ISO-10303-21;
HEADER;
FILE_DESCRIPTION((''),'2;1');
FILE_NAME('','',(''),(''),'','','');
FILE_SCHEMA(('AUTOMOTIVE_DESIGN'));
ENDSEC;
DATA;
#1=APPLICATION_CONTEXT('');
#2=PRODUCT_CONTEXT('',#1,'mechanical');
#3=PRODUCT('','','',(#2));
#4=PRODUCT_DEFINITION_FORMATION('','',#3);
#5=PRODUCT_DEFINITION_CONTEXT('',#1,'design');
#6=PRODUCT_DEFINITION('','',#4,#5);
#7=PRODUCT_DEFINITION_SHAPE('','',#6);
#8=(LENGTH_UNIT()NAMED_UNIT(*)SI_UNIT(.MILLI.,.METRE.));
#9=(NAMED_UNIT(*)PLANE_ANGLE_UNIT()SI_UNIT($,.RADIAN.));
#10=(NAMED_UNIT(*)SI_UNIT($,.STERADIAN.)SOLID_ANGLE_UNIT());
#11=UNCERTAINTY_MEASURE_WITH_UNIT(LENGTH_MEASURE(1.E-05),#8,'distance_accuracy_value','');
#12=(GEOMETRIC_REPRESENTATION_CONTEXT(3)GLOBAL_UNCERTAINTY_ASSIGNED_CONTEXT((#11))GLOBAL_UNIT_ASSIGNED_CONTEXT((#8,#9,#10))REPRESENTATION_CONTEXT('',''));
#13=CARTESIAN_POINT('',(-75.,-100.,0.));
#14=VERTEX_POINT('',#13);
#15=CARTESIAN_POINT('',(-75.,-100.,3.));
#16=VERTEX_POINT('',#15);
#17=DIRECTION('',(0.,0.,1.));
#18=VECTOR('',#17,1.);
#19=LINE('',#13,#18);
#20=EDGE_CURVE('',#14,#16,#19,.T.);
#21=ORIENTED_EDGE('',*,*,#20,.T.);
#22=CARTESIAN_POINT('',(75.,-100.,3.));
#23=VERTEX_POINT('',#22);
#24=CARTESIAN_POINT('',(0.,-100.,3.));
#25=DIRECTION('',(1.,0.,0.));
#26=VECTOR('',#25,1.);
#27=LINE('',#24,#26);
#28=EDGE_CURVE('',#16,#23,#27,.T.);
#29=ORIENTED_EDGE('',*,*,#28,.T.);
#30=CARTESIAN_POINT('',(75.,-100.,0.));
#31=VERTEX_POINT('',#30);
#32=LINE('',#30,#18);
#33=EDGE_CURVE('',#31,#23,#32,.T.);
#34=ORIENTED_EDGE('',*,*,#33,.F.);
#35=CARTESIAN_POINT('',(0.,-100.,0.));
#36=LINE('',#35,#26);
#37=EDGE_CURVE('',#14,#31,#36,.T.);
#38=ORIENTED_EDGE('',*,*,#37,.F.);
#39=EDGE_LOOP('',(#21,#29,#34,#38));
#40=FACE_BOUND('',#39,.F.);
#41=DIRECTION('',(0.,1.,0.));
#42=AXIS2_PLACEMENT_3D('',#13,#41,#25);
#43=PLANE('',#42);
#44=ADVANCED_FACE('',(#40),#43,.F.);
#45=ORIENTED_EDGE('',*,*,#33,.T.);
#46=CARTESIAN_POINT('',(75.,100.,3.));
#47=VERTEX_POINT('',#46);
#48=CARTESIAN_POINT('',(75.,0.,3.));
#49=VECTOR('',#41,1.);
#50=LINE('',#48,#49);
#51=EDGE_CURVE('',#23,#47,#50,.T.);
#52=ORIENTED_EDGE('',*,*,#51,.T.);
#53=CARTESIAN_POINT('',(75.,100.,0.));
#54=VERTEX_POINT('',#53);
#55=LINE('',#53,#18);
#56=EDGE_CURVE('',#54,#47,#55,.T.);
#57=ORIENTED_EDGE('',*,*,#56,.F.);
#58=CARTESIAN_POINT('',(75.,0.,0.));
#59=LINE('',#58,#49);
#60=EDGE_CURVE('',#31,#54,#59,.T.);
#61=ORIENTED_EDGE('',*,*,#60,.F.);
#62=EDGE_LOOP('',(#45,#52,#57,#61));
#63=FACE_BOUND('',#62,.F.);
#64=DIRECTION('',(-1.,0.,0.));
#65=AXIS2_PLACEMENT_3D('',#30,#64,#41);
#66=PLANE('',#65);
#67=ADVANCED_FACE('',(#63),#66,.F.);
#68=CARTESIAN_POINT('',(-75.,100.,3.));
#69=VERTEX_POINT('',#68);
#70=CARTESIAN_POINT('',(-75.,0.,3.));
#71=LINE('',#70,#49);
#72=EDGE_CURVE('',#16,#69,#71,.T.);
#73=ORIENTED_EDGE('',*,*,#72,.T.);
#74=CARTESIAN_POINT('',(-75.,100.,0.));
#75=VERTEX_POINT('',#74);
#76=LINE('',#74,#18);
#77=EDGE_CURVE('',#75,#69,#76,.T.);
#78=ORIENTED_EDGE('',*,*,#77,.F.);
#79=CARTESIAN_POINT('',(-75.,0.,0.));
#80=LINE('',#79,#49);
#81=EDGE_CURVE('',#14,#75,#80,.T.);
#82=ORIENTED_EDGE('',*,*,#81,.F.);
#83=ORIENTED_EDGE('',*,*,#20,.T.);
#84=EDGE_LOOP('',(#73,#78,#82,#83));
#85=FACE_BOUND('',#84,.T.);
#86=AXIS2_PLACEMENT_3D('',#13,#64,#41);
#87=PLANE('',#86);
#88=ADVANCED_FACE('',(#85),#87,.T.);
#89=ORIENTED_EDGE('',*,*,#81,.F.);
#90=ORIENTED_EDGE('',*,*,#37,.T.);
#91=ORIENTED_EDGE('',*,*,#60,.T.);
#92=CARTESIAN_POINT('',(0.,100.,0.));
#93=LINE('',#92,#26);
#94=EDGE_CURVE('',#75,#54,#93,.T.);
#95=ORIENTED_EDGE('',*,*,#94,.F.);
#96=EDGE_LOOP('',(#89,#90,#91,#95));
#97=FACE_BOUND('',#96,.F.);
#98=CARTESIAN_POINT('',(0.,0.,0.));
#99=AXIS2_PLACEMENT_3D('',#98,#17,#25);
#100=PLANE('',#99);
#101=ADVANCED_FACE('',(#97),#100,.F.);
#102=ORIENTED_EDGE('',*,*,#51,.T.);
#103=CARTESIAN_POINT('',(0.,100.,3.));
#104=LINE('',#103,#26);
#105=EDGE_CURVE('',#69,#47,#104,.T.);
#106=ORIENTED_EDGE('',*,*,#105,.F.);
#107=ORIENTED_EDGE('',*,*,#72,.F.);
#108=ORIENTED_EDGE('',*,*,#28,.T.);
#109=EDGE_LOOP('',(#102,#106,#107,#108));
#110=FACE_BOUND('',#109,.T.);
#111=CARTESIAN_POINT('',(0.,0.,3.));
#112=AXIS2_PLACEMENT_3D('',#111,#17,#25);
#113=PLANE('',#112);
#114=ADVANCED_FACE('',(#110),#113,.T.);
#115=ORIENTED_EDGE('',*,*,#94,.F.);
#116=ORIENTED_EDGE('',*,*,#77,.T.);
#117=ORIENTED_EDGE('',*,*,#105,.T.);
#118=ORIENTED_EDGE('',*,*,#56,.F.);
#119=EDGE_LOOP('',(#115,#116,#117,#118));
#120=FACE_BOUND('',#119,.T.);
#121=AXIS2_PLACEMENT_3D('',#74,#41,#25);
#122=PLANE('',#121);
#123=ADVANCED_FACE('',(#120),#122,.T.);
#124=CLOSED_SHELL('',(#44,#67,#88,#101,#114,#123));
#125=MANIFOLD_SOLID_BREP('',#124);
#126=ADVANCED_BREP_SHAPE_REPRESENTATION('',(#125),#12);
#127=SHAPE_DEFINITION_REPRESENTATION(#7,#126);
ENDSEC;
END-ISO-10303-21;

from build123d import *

# Parameters (mm, degrees)
SCHIZZO1_W                   = 150
SCHIZZO1_H                   = 200
ESTRUSIONE_ESTRUSIONE1_DEPTH = 3


with BuildPart() as part:
    # Schizzo1 → Estrusione-Estrusione1 (new body)
    with BuildSketch(Plane.XY):
        Rectangle(SCHIZZO1_W, SCHIZZO1_H)
    extrude(amount=ESTRUSIONE_ESTRUSIONE1_DEPTH)


solid = part.part
